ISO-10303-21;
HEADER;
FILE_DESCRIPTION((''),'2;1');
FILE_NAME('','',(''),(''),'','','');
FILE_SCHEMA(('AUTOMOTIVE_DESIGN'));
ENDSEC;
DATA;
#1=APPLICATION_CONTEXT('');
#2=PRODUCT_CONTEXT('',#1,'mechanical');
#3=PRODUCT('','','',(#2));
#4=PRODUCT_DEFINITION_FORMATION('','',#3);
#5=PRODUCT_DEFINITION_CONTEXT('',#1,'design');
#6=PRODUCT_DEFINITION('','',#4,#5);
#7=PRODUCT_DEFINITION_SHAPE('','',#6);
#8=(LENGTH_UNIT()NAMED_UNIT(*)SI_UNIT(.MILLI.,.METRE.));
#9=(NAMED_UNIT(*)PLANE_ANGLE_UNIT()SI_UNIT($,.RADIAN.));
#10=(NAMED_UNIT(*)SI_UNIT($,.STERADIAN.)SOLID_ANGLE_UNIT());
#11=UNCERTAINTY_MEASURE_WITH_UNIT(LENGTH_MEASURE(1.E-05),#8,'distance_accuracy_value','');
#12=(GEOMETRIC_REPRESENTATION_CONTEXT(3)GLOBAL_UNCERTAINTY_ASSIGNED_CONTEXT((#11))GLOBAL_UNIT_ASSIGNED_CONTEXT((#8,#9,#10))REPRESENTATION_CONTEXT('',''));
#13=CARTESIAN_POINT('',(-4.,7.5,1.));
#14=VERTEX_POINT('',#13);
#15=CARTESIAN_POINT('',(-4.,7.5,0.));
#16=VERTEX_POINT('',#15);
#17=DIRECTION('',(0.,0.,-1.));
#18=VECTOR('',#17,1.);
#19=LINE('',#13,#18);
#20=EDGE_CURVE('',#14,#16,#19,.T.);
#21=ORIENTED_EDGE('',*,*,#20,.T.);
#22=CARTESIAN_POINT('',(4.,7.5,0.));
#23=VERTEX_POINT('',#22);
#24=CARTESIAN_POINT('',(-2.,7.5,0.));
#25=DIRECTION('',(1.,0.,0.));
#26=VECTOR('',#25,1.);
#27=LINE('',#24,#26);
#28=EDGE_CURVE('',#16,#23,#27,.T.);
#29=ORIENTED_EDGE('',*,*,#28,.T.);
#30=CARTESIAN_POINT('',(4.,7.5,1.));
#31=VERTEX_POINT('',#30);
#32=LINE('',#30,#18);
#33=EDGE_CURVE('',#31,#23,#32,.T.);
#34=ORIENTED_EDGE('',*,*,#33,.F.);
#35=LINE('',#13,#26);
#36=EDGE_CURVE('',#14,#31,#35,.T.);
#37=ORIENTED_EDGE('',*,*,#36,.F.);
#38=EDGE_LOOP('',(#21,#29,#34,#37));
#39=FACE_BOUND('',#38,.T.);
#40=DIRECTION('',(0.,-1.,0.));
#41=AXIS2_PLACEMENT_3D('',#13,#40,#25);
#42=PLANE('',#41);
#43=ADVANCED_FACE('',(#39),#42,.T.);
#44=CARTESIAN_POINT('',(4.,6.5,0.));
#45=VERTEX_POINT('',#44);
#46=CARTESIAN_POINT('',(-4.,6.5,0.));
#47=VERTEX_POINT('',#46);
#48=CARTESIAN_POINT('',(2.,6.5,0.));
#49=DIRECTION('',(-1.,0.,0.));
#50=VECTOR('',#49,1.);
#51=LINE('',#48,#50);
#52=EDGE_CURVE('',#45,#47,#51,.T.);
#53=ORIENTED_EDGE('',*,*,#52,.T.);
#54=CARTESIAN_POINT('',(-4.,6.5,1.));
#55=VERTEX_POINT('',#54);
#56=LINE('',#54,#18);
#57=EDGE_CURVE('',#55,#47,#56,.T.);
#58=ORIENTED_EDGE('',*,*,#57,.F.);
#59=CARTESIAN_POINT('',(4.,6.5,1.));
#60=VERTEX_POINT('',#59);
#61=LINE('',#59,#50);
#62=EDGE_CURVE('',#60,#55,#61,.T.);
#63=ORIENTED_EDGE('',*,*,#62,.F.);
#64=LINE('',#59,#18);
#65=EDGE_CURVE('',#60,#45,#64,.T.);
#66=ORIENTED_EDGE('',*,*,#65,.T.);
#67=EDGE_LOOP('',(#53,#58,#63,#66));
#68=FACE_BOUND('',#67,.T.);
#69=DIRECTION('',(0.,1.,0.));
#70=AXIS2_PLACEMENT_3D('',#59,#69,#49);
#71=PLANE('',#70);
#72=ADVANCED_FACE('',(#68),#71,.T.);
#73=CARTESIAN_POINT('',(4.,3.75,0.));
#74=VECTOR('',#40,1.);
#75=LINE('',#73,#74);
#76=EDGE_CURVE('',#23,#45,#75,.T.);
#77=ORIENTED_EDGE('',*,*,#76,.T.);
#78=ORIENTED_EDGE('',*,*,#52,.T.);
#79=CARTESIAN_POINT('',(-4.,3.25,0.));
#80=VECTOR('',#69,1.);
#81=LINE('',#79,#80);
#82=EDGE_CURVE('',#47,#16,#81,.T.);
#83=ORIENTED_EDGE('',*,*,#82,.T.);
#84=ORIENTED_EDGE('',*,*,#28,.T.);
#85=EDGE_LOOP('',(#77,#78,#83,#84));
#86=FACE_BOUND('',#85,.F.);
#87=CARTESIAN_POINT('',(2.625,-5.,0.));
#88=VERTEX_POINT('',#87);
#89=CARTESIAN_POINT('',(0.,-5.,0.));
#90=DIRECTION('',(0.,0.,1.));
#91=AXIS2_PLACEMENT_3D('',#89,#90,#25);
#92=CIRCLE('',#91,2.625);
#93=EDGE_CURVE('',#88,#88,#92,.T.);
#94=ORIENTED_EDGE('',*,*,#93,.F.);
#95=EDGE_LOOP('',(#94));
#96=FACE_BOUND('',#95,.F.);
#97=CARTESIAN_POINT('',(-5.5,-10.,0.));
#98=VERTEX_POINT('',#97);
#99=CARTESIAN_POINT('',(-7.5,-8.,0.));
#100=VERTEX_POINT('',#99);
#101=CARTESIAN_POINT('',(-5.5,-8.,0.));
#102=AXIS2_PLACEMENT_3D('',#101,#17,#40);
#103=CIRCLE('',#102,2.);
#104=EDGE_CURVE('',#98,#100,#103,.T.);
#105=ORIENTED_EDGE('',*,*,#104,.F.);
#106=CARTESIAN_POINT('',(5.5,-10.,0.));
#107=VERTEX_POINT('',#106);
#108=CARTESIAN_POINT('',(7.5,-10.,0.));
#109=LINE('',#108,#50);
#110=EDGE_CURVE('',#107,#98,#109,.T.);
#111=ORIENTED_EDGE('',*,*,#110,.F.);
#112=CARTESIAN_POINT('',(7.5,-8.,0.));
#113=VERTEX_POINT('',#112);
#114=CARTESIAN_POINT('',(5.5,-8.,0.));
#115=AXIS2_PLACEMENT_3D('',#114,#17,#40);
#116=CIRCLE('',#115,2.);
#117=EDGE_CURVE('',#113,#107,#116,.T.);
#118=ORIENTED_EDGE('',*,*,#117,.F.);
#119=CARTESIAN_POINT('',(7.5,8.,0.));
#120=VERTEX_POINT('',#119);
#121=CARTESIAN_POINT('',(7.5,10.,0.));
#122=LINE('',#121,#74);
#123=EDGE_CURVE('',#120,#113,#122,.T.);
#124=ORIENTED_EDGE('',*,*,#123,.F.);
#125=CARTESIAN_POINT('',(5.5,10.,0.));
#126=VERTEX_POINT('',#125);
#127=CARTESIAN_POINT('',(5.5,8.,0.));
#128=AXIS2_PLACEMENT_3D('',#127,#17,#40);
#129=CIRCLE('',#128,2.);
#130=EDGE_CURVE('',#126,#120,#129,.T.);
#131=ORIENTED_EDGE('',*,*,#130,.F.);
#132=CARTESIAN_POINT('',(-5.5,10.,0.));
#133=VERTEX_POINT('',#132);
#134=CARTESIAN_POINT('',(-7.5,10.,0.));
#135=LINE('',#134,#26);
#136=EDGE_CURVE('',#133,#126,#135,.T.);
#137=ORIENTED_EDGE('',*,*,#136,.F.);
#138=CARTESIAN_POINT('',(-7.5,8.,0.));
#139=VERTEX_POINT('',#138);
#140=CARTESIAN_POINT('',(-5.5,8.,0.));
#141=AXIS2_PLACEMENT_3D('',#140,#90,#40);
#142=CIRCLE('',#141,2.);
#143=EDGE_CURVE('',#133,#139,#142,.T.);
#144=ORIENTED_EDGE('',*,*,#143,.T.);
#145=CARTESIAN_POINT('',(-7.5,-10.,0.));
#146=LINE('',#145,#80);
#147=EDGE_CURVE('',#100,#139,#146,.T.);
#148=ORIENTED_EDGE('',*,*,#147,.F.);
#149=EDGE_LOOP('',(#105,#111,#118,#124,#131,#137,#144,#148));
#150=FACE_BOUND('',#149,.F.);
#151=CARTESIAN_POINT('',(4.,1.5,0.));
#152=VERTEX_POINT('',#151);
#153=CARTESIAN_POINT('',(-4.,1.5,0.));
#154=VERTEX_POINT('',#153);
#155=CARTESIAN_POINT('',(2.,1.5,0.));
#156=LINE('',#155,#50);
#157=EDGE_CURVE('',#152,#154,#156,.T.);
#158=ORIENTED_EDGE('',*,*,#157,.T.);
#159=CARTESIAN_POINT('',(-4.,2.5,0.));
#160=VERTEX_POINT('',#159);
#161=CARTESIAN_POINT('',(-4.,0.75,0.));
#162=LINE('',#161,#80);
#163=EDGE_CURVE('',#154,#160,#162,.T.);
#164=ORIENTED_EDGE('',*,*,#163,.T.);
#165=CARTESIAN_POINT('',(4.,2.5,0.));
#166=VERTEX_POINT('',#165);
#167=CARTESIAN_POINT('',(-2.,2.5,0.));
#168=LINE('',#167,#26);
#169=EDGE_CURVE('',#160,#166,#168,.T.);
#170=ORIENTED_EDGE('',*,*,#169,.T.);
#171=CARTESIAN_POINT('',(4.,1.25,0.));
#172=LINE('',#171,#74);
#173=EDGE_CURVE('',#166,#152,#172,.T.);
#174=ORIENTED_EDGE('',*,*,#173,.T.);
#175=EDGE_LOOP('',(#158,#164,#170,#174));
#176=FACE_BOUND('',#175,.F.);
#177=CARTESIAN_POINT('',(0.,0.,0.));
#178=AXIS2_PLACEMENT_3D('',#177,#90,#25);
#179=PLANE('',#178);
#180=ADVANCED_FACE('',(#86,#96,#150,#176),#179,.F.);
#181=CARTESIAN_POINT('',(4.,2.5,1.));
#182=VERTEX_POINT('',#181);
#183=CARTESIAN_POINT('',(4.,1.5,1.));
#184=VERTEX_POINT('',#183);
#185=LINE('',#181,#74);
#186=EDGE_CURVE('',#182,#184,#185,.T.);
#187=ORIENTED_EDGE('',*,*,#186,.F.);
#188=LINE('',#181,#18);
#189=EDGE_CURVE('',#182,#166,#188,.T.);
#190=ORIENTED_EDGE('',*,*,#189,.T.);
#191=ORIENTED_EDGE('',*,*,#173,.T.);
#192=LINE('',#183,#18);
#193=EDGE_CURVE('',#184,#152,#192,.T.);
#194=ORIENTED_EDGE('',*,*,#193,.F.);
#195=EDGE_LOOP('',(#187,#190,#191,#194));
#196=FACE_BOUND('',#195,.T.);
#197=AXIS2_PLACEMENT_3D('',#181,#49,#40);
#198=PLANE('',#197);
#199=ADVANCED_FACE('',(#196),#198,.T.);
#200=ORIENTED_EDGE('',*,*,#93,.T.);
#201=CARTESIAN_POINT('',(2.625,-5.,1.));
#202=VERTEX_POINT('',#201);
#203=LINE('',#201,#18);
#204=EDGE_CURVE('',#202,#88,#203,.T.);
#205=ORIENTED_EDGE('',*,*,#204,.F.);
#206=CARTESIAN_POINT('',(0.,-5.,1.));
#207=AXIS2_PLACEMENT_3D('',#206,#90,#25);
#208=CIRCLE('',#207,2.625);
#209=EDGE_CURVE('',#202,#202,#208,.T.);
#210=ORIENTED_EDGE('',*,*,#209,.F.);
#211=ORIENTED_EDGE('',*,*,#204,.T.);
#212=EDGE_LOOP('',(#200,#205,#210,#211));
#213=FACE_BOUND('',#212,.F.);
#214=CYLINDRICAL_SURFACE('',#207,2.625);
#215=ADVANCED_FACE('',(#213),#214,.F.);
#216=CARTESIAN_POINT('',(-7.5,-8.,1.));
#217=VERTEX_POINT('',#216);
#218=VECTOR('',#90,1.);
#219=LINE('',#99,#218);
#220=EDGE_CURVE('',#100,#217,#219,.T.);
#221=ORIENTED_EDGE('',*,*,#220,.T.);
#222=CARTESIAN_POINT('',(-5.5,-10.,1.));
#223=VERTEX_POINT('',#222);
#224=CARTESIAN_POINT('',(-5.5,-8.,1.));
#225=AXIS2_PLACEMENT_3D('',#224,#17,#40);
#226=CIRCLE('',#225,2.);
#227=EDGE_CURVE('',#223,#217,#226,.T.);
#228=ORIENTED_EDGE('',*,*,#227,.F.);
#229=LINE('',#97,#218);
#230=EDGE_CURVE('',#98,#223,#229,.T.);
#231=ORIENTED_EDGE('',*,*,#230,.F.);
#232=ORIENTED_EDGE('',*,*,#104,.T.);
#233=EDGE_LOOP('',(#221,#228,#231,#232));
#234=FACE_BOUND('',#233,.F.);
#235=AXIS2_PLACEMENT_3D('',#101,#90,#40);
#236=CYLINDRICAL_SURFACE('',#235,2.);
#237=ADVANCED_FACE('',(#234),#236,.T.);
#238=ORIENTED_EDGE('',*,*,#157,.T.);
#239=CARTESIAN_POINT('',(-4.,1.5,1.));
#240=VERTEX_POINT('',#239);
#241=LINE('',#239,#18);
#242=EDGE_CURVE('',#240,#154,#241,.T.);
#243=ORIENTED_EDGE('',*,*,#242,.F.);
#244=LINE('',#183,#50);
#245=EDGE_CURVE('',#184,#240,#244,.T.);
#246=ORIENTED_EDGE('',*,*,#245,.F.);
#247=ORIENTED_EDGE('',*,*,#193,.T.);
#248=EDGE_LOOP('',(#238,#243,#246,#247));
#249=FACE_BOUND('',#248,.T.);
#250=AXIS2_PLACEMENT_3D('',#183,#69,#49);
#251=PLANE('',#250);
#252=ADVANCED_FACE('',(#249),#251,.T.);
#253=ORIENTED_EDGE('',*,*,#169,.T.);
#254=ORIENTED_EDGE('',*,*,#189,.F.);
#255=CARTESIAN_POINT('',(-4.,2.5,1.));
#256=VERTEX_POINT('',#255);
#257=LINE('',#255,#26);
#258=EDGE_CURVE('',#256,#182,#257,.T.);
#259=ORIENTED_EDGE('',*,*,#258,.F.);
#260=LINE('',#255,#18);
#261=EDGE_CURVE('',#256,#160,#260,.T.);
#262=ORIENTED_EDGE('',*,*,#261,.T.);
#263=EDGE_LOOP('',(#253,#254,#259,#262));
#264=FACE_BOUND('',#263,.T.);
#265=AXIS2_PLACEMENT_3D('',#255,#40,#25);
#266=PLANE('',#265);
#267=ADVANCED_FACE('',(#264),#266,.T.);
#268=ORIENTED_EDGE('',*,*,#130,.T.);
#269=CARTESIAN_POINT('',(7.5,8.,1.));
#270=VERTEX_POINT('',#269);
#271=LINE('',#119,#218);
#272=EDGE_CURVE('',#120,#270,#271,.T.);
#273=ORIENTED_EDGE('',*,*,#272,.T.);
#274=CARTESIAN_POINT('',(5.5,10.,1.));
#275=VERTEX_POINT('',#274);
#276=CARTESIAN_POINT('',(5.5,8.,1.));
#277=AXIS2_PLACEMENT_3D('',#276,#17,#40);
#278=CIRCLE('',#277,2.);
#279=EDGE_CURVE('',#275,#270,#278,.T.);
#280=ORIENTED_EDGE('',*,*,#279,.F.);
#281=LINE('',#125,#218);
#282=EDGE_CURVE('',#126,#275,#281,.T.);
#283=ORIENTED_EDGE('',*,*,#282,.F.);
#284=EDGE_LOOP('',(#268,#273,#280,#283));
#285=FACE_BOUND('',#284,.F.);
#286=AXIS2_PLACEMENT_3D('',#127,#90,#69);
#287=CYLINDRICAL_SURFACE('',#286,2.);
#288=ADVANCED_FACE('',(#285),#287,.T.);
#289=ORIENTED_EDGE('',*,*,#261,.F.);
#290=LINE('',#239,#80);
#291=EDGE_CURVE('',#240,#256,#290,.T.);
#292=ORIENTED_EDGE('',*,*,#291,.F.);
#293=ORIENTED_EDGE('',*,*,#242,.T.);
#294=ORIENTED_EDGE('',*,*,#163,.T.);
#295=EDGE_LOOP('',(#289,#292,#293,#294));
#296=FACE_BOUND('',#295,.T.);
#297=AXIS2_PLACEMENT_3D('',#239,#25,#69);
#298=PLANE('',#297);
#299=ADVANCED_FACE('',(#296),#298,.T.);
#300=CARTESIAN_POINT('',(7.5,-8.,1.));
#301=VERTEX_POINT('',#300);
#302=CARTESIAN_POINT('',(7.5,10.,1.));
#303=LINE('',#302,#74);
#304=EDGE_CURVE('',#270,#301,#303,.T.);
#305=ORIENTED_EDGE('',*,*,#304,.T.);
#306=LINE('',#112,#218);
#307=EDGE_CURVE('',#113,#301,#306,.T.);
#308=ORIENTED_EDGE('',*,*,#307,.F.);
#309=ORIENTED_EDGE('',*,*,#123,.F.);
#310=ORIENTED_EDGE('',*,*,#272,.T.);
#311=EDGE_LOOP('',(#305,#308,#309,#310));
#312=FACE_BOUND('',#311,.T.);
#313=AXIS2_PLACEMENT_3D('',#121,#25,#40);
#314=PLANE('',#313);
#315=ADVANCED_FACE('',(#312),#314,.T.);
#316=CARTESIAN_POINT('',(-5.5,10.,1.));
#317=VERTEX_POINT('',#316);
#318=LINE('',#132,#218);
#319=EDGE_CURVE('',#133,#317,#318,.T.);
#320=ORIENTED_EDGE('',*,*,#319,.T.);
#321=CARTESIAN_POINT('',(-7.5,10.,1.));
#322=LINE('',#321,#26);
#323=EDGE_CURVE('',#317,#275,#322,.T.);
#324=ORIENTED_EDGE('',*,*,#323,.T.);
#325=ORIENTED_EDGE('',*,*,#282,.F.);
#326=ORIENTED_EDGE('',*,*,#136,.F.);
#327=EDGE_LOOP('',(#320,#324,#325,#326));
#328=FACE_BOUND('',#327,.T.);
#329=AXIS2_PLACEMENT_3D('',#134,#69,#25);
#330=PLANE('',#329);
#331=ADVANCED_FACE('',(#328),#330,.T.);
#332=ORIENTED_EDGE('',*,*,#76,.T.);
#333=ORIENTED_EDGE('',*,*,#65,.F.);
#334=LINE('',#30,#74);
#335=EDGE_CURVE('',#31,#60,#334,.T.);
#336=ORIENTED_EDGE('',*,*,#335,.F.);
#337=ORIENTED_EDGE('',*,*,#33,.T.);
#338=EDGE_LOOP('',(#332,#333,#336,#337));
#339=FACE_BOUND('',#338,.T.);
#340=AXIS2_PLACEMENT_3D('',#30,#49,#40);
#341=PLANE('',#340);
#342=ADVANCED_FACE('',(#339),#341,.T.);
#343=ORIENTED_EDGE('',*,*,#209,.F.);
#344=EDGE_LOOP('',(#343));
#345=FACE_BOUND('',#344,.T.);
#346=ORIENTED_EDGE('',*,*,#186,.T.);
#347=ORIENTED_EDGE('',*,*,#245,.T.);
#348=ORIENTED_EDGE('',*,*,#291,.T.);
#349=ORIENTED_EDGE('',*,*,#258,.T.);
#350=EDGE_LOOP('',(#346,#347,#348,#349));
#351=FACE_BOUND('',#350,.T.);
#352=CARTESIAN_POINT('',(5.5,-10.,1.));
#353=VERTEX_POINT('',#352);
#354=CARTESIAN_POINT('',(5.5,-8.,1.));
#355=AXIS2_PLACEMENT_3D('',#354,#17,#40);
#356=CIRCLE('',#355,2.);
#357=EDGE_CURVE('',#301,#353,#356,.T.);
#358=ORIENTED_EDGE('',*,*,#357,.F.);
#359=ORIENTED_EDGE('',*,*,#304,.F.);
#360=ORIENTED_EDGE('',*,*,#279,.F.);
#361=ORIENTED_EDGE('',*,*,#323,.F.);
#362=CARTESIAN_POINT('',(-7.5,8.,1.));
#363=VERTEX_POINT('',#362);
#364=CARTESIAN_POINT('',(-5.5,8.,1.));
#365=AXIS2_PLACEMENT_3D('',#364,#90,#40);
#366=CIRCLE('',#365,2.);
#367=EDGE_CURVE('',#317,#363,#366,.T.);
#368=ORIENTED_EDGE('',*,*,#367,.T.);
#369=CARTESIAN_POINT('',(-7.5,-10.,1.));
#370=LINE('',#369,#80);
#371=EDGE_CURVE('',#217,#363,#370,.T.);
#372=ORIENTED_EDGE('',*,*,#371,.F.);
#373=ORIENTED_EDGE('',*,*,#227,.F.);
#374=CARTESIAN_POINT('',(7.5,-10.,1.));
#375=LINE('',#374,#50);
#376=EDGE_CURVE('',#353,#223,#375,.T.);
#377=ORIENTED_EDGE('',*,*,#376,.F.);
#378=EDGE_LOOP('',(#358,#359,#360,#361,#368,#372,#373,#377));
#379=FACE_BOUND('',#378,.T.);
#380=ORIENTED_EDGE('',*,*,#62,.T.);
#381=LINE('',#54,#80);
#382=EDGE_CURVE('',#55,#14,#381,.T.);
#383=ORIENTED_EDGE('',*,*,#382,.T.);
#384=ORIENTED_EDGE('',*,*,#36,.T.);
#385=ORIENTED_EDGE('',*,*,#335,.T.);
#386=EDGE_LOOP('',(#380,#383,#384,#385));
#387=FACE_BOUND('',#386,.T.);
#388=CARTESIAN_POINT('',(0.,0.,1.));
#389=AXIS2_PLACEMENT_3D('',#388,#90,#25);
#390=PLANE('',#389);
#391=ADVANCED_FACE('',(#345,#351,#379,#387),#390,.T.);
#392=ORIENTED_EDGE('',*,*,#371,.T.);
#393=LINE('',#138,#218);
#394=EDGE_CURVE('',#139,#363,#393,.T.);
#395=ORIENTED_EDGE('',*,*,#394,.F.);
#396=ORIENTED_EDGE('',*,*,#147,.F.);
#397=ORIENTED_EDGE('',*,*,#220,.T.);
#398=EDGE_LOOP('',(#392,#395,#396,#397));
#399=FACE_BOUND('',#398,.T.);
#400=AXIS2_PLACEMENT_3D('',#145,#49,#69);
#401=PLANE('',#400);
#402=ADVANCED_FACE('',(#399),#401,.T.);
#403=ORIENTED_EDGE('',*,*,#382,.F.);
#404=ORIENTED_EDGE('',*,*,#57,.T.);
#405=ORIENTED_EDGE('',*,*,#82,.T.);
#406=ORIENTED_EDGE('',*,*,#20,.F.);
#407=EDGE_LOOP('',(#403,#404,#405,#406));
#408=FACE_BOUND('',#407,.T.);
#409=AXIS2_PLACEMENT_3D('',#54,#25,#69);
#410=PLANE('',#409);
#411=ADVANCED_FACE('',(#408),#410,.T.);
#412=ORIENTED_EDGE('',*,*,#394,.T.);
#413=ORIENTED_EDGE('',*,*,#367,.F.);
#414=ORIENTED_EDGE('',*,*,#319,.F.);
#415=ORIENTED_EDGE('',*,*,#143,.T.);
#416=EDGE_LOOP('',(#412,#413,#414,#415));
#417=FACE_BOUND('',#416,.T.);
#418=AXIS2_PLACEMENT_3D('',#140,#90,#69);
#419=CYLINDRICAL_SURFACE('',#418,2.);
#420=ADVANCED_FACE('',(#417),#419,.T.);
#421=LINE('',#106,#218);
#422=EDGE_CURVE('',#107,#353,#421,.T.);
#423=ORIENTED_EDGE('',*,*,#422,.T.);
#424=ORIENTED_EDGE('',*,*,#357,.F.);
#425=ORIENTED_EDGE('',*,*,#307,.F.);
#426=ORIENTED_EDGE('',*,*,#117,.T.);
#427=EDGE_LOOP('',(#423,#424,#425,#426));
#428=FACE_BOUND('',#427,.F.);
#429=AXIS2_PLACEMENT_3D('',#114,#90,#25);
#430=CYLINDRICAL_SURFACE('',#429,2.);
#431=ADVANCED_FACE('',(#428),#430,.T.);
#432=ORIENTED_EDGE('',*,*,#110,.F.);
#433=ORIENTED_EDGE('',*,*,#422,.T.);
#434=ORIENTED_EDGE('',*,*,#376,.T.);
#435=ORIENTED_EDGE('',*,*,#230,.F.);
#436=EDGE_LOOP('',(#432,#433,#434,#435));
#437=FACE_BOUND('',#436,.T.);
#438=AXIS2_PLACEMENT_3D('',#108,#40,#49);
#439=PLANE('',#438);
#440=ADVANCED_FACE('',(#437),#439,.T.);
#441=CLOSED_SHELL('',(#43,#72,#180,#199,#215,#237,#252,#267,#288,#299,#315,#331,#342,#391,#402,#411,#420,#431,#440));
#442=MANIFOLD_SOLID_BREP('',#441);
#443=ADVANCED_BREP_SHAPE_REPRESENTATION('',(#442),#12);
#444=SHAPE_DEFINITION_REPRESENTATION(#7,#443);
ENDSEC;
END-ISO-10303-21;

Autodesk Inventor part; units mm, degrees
ref_plane "YZ Plane" through (0, 0, 0) normal (1, 0, 0) x (0, 1, 0)
ref_plane "XZ Plane" through (0, 0, 0) normal (0, 1, 0) x (-1, 0, 0)
ref_plane "XY Plane" through (0, 0, 0) normal (0, 0, 1) x (1, 0, 0)
sketch "Sketch1" plane through (0, 0, 0) normal (0, 0, 1) x (1, 0, 0)
  line L0 (-7.5, 10) -> (7.5, 10)
  line L1 (7.5, 10) -> (7.5, -10)
  line L2 (7.5, -10) -> (-7.5, -10)
  line L3 (-7.5, -10) -> (-7.5, 10)
  point P0 (0, 0)
  dimension "d0" = 15
  dimension "d1" = 20
  dimension "d2" = 7.5
  dimension "d3" = 10
extrude "Extrusion1" add sketch "Sketch1" along normal blind 1
fillet "Fillet1" radius 2 4 edges at (7.5, 10, 0.5) (-7.5, 10, 0.5) (7.5, -10, 0.5) (-7.5, -10, 0.5)
sketch "Sketch2" plane through (0, 0, 1) normal (0, 0, 1) x (1, 0, 0)
  line L0 (-5.5, -10) -> (5.5, -10) projected
  line L1 (5.5, 10) -> (-5.5, 10) projected
  line L2 (-7.5, 8) -> (-7.5, -8) projected
  line L3 (-4, 7.5) -> (4, 7.5)
  line L4 (4, 7.5) -> (4, 6.5)
  line L5 (4, 6.5) -> (-4, 6.5)
  line L6 (-4, 6.5) -> (-4, 7.5)
  line L7 (-4, 2.5) -> (4, 2.5)
  line L8 (4, 2.5) -> (4, 1.5)
  line L9 (4, 1.5) -> (-4, 1.5)
  line L10 (-4, 1.5) -> (-4, 2.5)
  circle A0 centre (0, -5) radius 2.625
  point P0 (0, 0)
  dimension "d7" = 8
  dimension "d8" = 1
  dimension "d9" = 3.5
  dimension "d10" = 2.5
  dimension "d11" = 1
  dimension "d12" = 4
  dimension "d13" = 3.5
  dimension "d14" = 8
  dimension "d15" = 5.25
  dimension "d16" = 5
  dimension "d17" = 7.5
extrude "Extrusion2" cut sketch "Sketch2" against normal through all
equation "\"d2\" = 0.5 * d0"
equation "\"d3\" = 0.5 * d1"
properties part number "belt_clip" material "Nylon 6/6"
